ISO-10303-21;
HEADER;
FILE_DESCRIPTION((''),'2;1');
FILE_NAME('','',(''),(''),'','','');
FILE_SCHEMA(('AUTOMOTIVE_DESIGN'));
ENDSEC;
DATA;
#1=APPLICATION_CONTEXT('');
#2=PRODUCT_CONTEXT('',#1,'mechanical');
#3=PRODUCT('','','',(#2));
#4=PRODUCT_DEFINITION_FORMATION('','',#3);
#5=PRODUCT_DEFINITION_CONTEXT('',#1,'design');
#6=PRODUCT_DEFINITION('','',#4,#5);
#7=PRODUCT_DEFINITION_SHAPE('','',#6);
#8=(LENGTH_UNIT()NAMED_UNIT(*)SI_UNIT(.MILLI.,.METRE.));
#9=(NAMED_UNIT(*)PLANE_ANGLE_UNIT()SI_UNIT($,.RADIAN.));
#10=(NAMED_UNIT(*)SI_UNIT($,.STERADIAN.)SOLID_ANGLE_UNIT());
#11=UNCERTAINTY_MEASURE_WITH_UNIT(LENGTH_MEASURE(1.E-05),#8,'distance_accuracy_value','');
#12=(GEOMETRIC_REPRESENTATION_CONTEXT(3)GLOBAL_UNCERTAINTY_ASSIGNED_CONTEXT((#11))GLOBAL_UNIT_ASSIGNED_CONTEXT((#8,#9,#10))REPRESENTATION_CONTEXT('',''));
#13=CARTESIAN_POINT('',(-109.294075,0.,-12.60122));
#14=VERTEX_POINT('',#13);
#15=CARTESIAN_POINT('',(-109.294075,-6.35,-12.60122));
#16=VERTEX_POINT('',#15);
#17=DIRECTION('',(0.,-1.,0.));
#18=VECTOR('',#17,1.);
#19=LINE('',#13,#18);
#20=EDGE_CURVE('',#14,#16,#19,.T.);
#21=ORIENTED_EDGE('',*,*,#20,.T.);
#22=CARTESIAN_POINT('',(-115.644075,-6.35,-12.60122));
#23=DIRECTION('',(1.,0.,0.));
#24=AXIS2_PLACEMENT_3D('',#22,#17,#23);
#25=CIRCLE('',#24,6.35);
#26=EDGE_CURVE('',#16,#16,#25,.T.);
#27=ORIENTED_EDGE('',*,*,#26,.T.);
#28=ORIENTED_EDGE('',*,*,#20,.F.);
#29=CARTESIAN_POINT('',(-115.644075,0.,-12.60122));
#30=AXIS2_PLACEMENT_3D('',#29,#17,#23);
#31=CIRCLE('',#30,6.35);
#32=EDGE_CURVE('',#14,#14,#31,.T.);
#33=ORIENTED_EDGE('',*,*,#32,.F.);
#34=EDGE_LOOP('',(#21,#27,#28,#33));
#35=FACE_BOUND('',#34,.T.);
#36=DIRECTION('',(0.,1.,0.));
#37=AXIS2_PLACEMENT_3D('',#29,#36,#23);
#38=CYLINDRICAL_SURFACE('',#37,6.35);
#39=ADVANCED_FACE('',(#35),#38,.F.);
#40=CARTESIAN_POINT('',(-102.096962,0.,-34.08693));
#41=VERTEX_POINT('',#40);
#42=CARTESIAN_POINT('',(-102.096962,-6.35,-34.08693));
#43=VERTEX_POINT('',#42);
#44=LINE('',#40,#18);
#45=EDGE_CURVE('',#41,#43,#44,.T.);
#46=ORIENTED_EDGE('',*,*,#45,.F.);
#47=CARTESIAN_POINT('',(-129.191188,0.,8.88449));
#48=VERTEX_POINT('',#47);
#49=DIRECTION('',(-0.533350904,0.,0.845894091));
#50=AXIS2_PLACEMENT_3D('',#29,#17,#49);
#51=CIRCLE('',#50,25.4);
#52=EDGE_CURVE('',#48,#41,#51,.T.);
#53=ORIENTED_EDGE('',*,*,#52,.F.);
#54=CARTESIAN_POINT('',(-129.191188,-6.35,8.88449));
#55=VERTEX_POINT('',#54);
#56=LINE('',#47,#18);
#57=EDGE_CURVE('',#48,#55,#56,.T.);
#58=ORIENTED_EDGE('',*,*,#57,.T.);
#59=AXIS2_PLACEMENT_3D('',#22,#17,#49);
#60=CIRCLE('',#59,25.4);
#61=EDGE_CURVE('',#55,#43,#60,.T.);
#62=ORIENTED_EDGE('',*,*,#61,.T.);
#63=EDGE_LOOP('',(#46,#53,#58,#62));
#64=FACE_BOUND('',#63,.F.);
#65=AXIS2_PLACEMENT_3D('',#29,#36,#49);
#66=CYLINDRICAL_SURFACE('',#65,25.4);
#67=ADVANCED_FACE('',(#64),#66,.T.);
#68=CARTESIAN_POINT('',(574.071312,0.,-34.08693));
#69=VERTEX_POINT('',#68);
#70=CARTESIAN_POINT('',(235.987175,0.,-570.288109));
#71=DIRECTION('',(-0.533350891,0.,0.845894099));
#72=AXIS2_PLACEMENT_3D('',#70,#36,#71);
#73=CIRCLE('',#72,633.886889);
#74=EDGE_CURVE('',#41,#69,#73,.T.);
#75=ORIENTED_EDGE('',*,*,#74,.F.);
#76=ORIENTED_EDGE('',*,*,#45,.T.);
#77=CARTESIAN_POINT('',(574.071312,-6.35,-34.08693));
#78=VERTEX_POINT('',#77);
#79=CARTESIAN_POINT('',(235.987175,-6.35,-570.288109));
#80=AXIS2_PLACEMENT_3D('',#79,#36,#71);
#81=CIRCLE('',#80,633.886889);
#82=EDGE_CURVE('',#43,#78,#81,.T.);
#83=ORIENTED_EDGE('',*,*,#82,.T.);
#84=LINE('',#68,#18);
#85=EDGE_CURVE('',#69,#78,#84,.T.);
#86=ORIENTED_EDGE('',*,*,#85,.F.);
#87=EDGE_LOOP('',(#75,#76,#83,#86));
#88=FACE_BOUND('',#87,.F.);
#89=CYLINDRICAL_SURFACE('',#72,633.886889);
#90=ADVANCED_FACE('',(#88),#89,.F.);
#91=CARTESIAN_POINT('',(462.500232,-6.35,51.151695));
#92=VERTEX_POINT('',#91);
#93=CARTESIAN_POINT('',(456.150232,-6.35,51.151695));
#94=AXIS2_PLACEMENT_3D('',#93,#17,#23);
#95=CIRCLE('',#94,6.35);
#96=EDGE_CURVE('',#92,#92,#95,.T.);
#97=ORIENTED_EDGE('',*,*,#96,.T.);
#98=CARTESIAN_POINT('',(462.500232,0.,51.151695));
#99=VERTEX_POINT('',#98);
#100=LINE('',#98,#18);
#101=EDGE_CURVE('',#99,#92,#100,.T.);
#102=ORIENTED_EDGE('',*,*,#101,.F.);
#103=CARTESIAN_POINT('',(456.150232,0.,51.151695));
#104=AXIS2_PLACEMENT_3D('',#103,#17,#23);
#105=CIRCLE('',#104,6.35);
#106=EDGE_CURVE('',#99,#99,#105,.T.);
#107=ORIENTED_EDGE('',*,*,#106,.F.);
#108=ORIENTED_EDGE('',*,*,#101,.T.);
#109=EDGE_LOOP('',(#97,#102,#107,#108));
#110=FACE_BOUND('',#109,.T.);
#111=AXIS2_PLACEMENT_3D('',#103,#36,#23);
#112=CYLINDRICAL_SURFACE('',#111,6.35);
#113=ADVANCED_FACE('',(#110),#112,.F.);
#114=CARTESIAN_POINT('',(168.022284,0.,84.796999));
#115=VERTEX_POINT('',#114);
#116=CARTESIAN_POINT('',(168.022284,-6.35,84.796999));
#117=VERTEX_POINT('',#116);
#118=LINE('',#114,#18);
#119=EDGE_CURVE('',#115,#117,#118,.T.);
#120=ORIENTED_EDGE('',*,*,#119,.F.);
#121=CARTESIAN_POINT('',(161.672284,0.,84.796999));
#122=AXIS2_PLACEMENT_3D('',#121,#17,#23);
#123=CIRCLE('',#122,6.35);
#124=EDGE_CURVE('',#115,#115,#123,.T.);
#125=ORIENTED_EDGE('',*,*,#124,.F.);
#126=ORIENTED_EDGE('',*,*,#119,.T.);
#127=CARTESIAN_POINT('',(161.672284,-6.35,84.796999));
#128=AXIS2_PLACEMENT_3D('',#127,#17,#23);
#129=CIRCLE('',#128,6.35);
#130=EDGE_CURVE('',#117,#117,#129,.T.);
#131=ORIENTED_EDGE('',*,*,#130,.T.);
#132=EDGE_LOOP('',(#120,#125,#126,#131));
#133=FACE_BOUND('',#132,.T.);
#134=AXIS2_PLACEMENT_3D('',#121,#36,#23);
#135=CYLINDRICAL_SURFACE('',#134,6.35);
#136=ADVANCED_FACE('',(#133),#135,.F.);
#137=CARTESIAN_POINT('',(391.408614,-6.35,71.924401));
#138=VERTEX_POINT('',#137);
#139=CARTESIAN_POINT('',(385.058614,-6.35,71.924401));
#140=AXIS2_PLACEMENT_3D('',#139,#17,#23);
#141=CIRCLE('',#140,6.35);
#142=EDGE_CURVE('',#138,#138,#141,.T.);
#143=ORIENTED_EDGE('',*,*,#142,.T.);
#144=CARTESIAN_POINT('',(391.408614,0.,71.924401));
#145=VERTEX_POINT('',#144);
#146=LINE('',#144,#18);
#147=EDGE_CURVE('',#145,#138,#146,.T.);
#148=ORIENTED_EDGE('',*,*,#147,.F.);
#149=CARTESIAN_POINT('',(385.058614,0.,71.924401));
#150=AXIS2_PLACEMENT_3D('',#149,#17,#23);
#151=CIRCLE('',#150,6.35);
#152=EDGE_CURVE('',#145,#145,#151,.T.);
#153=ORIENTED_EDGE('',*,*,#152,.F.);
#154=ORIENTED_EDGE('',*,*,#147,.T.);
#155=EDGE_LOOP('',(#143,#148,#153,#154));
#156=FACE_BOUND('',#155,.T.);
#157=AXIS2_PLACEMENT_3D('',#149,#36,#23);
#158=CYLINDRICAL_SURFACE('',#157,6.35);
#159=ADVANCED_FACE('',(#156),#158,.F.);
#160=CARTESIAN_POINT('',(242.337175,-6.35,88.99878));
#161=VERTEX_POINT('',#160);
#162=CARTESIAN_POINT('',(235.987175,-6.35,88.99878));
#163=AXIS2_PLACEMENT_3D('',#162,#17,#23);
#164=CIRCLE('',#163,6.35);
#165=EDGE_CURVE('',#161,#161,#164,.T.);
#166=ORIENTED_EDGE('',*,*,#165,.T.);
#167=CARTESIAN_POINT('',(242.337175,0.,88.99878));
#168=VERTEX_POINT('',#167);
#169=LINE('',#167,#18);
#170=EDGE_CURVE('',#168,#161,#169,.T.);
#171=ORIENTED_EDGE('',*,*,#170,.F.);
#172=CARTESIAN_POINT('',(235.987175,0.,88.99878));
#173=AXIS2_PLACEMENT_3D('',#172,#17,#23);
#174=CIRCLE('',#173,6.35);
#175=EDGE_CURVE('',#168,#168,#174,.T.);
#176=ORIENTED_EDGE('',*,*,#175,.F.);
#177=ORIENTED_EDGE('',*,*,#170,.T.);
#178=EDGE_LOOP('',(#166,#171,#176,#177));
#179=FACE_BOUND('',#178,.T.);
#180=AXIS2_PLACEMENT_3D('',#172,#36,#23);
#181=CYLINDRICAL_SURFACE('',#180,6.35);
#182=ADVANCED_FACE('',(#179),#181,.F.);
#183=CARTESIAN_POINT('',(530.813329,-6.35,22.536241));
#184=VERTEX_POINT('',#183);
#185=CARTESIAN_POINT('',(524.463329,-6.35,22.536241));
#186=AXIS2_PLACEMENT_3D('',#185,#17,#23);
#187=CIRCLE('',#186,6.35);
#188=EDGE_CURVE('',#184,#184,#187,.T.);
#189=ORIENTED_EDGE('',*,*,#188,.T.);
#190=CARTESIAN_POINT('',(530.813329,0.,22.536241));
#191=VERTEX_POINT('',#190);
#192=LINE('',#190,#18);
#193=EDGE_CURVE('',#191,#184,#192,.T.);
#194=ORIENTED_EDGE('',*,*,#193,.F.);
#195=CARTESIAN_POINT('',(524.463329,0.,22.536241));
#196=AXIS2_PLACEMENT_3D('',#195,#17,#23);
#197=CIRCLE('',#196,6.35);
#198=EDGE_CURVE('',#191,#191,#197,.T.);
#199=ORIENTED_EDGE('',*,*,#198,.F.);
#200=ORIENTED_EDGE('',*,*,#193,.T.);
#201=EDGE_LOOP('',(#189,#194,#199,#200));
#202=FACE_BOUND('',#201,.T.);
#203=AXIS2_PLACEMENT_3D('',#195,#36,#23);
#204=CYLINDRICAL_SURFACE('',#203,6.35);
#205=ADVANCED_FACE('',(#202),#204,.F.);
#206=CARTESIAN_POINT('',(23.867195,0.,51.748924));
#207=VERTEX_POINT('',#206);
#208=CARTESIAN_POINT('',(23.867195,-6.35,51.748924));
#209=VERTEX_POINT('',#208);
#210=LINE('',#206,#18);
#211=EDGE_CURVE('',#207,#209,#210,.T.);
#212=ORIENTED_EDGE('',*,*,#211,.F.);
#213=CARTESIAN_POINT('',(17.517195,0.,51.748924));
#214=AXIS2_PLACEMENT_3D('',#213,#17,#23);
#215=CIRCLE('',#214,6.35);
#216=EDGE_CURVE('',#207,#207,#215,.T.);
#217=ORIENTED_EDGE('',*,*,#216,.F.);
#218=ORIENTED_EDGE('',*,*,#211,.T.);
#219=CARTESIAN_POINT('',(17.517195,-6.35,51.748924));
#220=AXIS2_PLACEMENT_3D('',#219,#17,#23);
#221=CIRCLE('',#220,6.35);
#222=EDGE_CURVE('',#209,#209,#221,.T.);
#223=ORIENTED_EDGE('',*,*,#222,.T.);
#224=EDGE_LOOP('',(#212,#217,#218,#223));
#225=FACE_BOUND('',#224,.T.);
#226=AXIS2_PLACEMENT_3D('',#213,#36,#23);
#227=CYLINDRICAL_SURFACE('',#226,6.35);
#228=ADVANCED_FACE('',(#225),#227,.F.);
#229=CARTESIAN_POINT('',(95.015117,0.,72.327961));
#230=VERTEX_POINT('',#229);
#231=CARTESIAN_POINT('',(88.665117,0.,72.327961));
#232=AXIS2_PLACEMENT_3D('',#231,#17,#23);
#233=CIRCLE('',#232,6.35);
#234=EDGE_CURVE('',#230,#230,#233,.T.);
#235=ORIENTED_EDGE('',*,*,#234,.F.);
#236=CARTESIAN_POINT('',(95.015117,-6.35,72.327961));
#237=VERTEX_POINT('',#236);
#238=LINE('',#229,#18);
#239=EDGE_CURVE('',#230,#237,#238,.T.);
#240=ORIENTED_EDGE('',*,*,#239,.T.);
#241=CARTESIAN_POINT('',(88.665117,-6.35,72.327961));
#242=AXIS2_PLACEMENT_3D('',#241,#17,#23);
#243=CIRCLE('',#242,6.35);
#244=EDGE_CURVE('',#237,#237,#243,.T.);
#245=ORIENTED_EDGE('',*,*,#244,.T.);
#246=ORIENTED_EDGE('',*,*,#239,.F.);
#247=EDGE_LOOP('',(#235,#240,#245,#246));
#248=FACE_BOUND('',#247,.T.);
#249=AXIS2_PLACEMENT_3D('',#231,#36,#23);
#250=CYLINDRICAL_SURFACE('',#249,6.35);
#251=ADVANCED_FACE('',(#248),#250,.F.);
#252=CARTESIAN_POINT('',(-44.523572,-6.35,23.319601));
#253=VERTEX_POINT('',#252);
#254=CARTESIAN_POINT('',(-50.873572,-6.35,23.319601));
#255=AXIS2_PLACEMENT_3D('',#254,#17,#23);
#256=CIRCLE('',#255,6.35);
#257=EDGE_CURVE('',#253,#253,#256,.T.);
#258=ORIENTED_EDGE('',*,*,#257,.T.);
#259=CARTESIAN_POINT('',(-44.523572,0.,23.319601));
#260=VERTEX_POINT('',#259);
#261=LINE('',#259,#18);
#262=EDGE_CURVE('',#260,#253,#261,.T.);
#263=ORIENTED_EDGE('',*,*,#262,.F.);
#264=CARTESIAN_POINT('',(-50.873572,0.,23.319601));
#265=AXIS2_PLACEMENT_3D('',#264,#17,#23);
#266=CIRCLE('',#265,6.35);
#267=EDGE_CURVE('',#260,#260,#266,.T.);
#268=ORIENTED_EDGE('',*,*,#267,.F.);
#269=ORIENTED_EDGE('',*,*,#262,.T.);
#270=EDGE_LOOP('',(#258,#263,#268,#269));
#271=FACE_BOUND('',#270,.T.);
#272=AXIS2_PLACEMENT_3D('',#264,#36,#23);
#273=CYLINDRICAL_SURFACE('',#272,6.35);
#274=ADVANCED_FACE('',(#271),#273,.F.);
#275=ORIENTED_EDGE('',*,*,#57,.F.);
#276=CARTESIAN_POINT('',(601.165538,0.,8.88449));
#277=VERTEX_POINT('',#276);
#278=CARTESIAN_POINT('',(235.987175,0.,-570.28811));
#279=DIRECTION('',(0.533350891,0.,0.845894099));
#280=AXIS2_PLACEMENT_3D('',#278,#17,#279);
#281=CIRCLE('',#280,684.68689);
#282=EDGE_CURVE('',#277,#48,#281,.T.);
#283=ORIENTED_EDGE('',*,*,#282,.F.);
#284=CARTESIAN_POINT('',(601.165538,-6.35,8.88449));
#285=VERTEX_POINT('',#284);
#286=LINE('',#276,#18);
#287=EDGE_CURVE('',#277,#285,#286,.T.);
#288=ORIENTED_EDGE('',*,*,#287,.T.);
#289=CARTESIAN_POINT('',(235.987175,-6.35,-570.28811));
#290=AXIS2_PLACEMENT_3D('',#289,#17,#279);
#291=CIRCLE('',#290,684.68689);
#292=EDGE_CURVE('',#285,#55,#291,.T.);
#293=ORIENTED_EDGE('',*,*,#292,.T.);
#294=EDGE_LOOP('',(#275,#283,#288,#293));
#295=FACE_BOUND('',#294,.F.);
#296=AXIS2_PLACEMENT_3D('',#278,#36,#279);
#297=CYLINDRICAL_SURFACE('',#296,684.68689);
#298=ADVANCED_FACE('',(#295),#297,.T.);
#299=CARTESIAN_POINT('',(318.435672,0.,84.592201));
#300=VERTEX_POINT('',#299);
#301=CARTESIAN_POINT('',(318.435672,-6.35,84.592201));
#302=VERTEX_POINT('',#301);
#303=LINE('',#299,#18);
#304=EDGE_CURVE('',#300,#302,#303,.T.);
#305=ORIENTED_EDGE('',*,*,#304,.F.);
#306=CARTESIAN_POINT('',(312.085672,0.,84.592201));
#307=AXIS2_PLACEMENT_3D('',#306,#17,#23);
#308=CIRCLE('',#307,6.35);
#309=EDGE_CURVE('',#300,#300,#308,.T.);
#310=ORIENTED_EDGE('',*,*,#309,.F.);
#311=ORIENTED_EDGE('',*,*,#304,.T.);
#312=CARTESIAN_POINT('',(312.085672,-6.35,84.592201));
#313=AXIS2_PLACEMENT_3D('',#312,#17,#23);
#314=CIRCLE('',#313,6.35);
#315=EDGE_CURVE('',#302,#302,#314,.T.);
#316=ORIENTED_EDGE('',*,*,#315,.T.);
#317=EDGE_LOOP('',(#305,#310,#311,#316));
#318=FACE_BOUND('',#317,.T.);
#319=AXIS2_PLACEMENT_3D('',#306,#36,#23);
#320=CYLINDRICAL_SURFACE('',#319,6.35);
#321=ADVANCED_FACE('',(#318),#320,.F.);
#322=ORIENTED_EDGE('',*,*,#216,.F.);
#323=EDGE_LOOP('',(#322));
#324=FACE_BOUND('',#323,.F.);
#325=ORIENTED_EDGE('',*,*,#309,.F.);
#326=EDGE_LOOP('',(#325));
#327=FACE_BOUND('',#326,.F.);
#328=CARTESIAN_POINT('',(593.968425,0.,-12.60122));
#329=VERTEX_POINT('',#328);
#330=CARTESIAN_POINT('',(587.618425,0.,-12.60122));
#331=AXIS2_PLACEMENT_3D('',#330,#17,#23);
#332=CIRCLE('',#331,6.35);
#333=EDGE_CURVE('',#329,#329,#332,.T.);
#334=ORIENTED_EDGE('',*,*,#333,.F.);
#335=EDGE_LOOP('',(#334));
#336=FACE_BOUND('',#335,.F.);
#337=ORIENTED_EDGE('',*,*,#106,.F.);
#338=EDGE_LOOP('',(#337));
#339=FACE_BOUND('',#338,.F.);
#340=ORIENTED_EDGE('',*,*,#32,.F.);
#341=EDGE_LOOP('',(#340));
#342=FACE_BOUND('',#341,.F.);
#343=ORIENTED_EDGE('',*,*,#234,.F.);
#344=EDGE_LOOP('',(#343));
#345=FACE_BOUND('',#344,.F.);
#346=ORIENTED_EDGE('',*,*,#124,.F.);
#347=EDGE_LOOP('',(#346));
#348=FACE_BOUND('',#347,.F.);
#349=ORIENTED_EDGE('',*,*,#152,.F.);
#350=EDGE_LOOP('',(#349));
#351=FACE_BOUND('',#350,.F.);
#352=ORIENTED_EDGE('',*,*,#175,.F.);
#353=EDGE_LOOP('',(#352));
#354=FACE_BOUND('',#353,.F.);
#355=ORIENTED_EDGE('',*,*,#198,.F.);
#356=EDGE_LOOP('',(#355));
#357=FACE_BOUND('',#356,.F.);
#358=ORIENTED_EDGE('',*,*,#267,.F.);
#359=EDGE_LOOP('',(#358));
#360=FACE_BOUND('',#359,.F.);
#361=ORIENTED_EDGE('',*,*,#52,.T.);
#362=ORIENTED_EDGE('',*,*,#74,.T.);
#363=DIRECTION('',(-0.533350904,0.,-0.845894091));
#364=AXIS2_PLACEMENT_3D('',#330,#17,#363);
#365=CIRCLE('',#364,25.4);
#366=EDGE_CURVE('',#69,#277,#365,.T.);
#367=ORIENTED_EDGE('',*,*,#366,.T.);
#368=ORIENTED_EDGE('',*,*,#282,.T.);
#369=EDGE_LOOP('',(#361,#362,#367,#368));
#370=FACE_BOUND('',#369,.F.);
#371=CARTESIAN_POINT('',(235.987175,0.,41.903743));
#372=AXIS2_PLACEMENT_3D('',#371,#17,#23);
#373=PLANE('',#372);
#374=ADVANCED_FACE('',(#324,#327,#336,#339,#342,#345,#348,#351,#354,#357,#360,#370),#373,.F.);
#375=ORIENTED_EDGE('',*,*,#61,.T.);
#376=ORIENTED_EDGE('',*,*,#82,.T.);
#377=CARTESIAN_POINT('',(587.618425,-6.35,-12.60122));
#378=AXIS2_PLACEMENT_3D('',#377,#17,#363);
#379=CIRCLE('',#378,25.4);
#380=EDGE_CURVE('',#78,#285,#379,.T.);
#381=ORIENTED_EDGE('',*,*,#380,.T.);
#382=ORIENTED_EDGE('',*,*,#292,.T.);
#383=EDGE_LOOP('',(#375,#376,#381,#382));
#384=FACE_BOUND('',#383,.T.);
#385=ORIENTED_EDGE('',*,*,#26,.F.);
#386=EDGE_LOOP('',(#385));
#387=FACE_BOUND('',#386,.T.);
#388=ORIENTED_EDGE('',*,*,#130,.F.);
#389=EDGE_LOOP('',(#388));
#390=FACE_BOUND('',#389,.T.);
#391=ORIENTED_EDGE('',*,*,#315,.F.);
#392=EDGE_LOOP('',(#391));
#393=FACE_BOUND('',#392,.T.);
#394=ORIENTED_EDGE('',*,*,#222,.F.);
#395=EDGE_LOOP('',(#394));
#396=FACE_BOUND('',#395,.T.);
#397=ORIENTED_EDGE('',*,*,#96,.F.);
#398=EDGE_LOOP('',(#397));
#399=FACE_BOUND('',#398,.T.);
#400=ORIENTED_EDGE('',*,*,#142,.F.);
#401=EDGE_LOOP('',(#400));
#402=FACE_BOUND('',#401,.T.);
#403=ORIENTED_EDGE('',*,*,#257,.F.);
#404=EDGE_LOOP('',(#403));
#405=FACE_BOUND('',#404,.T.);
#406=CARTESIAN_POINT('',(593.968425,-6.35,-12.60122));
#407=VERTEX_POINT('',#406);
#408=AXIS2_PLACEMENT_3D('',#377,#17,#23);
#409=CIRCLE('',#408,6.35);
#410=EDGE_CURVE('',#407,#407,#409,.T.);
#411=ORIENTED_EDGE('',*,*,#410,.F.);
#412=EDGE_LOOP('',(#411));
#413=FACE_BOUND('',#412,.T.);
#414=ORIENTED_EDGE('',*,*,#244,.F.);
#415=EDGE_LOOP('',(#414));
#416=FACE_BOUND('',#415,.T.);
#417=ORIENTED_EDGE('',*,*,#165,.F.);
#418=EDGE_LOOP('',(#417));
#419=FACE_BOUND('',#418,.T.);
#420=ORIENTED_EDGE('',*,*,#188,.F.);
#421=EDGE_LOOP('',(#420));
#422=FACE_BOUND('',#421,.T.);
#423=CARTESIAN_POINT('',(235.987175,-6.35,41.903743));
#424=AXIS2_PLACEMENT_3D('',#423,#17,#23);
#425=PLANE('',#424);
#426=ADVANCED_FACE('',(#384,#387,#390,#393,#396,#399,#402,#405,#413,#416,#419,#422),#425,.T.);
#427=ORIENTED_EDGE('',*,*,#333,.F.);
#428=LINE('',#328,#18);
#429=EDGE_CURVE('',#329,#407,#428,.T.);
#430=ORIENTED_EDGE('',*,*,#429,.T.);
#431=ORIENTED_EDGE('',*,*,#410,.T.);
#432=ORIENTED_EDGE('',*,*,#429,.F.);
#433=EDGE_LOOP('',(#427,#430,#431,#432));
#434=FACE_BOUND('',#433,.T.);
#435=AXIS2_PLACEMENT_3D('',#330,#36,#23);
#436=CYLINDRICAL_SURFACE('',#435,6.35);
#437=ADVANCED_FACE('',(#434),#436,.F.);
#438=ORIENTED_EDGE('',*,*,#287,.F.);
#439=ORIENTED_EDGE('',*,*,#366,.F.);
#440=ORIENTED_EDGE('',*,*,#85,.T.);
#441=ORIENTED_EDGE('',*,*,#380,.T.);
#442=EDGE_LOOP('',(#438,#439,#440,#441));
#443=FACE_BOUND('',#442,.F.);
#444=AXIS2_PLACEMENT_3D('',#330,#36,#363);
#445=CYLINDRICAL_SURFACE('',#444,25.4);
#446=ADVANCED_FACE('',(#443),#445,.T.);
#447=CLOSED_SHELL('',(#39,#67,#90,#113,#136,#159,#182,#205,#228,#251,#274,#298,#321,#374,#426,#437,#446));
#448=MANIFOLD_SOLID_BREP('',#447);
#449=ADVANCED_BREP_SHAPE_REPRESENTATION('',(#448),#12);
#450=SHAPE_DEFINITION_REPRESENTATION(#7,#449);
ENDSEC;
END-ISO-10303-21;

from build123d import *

# Parameters (mm, degrees)
F0_R     = 6.35
F1_DEPTH = 6.35


with BuildPart() as f1:
    # F0 (on Front) → F1 (new body)
    with BuildSketch(Plane.XZ):
        with BuildLine():
            ThreePointArc((574.071312, -34.08693), (609.104135, -26.148333), (601.165538, 8.88449))
            ThreePointArc((601.165538, 8.88449), (235.987175, 114.39878), (-129.191188, 8.88449))
            ThreePointArc((-129.191188, 8.88449), (-137.129785, -26.148333), (-102.096962, -34.08693))
            ThreePointArc((-102.096962, -34.08693), (235.987175, 63.59878), (574.071312, -34.08693))
        make_face()
        with Locations((-115.644075, -12.60122)):
            Circle(F0_R, mode=Mode.SUBTRACT)
        with Locations((-50.873572, 23.319601)):
            Circle(F0_R, mode=Mode.SUBTRACT)
        with Locations((587.618425, -12.60122)):
            Circle(F0_R, mode=Mode.SUBTRACT)
        with Locations((524.463329, 22.536241)):
            Circle(F0_R, mode=Mode.SUBTRACT)
        with Locations((17.517195, 51.748924)):
            Circle(F0_R, mode=Mode.SUBTRACT)
        with Locations((88.665117, 72.327961)):
            Circle(F0_R, mode=Mode.SUBTRACT)
        with Locations((161.672284, 84.796999)):
            Circle(F0_R, mode=Mode.SUBTRACT)
        with Locations((385.058614, 71.924401)):
            Circle(F0_R, mode=Mode.SUBTRACT)
        with Locations((456.150232, 51.151695)):
            Circle(F0_R, mode=Mode.SUBTRACT)
        with Locations((312.085672, 84.592201)):
            Circle(F0_R, mode=Mode.SUBTRACT)
        with Locations((235.987175, 88.99878)):
            Circle(F0_R, mode=Mode.SUBTRACT)
    extrude(amount=F1_DEPTH)


solid = f1.part
